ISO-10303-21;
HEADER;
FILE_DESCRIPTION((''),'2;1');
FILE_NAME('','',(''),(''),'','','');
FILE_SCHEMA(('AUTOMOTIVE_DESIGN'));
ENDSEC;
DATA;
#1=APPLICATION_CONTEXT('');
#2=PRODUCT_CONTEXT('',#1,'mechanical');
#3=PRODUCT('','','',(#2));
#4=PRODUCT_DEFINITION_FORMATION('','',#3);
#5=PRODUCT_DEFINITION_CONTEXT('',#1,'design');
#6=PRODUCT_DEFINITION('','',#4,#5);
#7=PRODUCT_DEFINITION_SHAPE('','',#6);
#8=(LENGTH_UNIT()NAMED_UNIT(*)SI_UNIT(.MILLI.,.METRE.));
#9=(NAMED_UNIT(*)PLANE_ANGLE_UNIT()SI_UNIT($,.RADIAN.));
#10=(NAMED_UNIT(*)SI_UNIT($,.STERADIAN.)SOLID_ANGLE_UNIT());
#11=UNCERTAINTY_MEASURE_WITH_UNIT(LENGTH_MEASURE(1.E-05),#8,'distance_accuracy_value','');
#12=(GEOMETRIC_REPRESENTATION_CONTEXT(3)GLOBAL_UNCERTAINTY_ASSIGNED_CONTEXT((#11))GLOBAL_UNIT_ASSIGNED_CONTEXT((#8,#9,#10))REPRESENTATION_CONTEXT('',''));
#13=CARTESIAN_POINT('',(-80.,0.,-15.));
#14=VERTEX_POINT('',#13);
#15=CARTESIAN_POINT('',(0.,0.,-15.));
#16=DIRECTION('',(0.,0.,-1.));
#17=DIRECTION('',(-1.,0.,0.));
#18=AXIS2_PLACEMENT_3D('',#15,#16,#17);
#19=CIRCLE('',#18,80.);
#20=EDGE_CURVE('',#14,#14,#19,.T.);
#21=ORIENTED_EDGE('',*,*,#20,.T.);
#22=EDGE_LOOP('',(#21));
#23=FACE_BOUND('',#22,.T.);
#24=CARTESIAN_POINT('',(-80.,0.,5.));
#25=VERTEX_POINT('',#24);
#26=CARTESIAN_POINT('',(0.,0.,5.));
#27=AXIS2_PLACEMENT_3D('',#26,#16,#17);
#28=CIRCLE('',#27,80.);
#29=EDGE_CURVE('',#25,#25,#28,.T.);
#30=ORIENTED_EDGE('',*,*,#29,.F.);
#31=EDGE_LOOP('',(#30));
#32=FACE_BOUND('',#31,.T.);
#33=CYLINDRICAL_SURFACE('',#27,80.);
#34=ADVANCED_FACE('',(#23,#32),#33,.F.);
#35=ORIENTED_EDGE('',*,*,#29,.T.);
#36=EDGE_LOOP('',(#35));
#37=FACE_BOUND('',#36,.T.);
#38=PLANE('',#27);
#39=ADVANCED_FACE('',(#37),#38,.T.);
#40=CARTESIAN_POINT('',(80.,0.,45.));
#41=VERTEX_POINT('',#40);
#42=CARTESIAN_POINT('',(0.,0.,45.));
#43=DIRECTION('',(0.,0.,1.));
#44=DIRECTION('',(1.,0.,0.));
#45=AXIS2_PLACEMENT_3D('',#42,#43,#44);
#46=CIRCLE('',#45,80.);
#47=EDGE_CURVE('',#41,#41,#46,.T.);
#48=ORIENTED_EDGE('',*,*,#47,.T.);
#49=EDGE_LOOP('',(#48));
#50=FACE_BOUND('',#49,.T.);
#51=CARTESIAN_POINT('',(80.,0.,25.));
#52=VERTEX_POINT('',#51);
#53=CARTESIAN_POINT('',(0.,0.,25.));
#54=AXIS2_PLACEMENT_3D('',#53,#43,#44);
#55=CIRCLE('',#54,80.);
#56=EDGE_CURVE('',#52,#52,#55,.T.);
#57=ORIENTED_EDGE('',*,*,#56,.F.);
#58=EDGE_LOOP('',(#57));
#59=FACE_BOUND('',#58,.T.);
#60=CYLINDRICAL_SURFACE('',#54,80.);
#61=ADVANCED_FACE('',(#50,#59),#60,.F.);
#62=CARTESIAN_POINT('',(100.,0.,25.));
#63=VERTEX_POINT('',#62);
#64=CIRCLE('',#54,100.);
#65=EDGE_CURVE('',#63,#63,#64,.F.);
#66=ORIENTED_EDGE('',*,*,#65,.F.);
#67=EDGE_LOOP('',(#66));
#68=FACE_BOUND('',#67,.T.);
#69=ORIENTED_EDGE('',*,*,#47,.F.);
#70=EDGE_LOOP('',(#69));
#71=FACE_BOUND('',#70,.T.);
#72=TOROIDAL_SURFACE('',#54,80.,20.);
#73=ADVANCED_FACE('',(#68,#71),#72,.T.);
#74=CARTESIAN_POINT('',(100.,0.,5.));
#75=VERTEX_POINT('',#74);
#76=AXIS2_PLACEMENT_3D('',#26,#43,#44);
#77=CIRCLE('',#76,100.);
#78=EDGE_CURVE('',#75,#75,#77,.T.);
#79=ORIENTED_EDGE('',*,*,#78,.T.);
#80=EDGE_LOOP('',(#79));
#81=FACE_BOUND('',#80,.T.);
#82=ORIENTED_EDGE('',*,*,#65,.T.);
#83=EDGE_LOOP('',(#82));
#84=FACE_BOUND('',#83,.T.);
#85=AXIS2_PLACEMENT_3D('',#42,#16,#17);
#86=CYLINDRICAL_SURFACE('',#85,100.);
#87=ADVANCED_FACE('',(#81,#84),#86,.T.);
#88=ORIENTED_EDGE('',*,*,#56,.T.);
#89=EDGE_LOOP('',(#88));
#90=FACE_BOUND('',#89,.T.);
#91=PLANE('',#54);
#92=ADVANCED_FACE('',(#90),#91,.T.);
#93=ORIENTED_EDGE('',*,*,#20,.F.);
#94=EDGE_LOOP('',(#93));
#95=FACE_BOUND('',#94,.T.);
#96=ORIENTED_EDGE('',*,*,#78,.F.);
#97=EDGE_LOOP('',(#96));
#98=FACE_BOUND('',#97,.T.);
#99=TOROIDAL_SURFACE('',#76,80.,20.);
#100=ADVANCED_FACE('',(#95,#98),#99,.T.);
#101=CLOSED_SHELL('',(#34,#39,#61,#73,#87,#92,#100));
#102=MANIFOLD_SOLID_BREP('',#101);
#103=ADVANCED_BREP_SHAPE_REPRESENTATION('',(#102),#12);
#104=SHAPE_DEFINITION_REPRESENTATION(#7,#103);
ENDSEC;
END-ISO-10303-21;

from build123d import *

# Parameters (mm, degrees)
SKETCH1_R           = 50
BOSS_EXTRUDE1_DEPTH = 30
FILLET1_R           = 10
SKETCH2_R           = 40
CUT_EXTRUDE1_DEPTH  = 10
CUT_EXTRUDE2_START  = -10
SKETCH3_R           = 40
CUT_EXTRUDE2_DEPTH  = 10
SCALE1_SCALE        = 2


with BuildPart() as part:
    # Sketch1 → Boss-Extrude1 (new body)
    with BuildSketch(Plane.XY):
        Circle(SKETCH1_R)
    extrude(amount=BOSS_EXTRUDE1_DEPTH)

    # Fillet1
    fillet1_edges = [part.edges().sort_by_distance(p)[0] for p in [
        (-50, 0, 0),
        (-50, 0, 30),
    ]]
    fillet(fillet1_edges, radius=FILLET1_R)

    # Sketch2 → Cut-Extrude1 (cut)
    with BuildSketch(Plane.XY.offset(30)):
        Circle(SKETCH2_R)
    extrude(amount=-CUT_EXTRUDE1_DEPTH, mode=Mode.SUBTRACT)

    # Sketch3 → Cut-Extrude2 (cut)
    with BuildSketch(Plane(origin=(0, 0, 0), x_dir=(-1, 0, 0), z_dir=(0, 0, -1)).offset(CUT_EXTRUDE2_START)):
        with Locations(Location((0, 0, 0), (0, 0, 180))):
            Circle(SKETCH3_R)
    extrude(amount=CUT_EXTRUDE2_DEPTH, mode=Mode.SUBTRACT)


with BuildPart() as part_1:
    # Scale1: scaled about (0, 0, 15)
    add(part.part.scale(SCALE1_SCALE).moved(Location((0, 0, -15))))


solid = part_1.part
